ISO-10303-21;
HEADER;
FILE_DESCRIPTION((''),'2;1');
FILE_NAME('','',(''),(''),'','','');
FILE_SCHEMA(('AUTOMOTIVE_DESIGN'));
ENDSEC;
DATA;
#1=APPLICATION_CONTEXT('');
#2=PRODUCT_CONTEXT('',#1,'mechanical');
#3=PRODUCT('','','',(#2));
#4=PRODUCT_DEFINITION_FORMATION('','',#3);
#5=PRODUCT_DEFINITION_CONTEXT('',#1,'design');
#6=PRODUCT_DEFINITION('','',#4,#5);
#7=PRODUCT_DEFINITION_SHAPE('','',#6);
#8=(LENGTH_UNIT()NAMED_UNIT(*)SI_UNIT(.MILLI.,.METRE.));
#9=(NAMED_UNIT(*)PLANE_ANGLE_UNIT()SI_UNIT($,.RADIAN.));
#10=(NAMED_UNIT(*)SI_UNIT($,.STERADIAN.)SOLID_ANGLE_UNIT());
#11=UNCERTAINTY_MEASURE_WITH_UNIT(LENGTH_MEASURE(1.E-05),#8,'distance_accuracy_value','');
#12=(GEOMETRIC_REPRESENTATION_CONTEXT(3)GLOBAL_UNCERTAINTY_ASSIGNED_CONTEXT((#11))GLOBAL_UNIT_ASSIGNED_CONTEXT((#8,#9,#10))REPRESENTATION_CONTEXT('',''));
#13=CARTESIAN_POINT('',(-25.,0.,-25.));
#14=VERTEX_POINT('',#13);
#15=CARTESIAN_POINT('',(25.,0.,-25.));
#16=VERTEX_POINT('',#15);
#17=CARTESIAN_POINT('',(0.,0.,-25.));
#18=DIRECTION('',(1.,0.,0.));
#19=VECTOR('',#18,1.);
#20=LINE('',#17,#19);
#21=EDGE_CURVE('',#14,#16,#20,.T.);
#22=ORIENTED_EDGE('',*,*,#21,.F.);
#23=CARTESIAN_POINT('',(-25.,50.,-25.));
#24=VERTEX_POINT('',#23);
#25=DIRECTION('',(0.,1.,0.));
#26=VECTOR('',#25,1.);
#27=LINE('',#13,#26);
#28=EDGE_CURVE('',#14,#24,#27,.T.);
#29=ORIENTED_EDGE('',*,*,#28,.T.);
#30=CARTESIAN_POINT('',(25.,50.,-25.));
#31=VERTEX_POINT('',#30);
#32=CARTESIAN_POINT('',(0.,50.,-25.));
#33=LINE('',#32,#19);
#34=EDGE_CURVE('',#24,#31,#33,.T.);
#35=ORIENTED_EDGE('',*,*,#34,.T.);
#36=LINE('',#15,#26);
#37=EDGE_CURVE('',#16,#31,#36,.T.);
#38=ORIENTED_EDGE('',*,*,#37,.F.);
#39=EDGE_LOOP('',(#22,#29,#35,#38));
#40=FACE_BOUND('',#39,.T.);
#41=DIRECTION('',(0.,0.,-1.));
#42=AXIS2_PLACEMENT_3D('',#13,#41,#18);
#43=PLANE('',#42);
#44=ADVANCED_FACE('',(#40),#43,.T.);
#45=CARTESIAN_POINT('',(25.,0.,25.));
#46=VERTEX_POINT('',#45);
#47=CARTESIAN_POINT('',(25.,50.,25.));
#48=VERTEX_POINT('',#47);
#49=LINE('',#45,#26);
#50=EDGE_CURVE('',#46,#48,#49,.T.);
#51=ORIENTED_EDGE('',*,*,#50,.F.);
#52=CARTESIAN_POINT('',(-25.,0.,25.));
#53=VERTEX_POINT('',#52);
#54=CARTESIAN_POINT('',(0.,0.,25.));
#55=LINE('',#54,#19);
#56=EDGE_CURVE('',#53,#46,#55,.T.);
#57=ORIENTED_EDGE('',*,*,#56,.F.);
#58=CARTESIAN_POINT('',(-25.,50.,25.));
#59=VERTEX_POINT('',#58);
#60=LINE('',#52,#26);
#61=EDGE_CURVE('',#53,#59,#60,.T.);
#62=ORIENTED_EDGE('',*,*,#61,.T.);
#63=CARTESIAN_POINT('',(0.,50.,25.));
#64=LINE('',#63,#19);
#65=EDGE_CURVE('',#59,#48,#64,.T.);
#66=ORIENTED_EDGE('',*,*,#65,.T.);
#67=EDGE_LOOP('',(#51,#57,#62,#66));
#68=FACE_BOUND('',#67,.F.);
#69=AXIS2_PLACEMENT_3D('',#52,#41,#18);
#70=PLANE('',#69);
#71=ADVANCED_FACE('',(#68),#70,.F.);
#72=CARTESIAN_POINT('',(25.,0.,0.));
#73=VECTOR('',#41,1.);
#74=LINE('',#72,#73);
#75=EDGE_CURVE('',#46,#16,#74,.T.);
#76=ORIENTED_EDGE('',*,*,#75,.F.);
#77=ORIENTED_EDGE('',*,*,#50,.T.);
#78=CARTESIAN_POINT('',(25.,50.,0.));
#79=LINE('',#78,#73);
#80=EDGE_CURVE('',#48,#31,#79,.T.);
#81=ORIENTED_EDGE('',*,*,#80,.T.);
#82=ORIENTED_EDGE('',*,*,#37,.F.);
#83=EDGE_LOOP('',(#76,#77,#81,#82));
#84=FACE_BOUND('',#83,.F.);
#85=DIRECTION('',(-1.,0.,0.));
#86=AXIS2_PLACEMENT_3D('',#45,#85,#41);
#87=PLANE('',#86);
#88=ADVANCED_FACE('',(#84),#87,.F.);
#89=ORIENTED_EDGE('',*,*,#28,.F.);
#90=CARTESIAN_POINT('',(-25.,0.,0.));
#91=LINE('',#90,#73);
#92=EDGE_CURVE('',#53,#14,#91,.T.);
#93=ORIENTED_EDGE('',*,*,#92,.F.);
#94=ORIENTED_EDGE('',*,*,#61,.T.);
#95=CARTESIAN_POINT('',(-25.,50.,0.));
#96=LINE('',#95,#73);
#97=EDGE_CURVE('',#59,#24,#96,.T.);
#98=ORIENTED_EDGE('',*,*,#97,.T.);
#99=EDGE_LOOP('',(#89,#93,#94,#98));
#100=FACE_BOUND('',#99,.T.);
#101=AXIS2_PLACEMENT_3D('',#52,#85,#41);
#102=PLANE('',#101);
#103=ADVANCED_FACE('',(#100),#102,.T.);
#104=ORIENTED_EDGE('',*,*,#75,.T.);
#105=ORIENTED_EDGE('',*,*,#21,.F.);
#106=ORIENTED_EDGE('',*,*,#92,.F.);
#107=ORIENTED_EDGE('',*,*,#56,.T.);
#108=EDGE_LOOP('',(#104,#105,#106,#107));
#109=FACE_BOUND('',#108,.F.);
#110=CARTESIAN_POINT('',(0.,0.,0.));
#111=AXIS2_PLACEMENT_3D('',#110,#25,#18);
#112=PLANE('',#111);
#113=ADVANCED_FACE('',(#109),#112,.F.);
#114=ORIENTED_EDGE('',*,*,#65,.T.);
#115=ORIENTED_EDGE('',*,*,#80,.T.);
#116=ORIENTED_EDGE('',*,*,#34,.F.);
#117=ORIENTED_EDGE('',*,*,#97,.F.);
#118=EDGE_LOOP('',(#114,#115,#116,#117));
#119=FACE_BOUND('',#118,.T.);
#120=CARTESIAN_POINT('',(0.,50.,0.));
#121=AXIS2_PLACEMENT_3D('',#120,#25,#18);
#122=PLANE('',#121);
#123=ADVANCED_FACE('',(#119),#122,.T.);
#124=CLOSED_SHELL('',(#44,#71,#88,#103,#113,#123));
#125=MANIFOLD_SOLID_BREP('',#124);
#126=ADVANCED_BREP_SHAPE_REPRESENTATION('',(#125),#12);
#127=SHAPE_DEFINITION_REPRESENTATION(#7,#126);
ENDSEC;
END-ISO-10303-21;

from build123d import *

# Parameters (mm, degrees)
SKETCH1_W           = 50
SKETCH1_H           = 50
BOSS_EXTRUDE1_DEPTH = 50


with BuildPart() as part:
    # Sketch1 → Boss-Extrude1 (new body)
    with BuildSketch(Plane(origin=(0, 0, 0), x_dir=(1, 0, 0), z_dir=(0, 1, 0))):
        Rectangle(SKETCH1_W, SKETCH1_H)
    extrude(amount=BOSS_EXTRUDE1_DEPTH)


solid = part.part
